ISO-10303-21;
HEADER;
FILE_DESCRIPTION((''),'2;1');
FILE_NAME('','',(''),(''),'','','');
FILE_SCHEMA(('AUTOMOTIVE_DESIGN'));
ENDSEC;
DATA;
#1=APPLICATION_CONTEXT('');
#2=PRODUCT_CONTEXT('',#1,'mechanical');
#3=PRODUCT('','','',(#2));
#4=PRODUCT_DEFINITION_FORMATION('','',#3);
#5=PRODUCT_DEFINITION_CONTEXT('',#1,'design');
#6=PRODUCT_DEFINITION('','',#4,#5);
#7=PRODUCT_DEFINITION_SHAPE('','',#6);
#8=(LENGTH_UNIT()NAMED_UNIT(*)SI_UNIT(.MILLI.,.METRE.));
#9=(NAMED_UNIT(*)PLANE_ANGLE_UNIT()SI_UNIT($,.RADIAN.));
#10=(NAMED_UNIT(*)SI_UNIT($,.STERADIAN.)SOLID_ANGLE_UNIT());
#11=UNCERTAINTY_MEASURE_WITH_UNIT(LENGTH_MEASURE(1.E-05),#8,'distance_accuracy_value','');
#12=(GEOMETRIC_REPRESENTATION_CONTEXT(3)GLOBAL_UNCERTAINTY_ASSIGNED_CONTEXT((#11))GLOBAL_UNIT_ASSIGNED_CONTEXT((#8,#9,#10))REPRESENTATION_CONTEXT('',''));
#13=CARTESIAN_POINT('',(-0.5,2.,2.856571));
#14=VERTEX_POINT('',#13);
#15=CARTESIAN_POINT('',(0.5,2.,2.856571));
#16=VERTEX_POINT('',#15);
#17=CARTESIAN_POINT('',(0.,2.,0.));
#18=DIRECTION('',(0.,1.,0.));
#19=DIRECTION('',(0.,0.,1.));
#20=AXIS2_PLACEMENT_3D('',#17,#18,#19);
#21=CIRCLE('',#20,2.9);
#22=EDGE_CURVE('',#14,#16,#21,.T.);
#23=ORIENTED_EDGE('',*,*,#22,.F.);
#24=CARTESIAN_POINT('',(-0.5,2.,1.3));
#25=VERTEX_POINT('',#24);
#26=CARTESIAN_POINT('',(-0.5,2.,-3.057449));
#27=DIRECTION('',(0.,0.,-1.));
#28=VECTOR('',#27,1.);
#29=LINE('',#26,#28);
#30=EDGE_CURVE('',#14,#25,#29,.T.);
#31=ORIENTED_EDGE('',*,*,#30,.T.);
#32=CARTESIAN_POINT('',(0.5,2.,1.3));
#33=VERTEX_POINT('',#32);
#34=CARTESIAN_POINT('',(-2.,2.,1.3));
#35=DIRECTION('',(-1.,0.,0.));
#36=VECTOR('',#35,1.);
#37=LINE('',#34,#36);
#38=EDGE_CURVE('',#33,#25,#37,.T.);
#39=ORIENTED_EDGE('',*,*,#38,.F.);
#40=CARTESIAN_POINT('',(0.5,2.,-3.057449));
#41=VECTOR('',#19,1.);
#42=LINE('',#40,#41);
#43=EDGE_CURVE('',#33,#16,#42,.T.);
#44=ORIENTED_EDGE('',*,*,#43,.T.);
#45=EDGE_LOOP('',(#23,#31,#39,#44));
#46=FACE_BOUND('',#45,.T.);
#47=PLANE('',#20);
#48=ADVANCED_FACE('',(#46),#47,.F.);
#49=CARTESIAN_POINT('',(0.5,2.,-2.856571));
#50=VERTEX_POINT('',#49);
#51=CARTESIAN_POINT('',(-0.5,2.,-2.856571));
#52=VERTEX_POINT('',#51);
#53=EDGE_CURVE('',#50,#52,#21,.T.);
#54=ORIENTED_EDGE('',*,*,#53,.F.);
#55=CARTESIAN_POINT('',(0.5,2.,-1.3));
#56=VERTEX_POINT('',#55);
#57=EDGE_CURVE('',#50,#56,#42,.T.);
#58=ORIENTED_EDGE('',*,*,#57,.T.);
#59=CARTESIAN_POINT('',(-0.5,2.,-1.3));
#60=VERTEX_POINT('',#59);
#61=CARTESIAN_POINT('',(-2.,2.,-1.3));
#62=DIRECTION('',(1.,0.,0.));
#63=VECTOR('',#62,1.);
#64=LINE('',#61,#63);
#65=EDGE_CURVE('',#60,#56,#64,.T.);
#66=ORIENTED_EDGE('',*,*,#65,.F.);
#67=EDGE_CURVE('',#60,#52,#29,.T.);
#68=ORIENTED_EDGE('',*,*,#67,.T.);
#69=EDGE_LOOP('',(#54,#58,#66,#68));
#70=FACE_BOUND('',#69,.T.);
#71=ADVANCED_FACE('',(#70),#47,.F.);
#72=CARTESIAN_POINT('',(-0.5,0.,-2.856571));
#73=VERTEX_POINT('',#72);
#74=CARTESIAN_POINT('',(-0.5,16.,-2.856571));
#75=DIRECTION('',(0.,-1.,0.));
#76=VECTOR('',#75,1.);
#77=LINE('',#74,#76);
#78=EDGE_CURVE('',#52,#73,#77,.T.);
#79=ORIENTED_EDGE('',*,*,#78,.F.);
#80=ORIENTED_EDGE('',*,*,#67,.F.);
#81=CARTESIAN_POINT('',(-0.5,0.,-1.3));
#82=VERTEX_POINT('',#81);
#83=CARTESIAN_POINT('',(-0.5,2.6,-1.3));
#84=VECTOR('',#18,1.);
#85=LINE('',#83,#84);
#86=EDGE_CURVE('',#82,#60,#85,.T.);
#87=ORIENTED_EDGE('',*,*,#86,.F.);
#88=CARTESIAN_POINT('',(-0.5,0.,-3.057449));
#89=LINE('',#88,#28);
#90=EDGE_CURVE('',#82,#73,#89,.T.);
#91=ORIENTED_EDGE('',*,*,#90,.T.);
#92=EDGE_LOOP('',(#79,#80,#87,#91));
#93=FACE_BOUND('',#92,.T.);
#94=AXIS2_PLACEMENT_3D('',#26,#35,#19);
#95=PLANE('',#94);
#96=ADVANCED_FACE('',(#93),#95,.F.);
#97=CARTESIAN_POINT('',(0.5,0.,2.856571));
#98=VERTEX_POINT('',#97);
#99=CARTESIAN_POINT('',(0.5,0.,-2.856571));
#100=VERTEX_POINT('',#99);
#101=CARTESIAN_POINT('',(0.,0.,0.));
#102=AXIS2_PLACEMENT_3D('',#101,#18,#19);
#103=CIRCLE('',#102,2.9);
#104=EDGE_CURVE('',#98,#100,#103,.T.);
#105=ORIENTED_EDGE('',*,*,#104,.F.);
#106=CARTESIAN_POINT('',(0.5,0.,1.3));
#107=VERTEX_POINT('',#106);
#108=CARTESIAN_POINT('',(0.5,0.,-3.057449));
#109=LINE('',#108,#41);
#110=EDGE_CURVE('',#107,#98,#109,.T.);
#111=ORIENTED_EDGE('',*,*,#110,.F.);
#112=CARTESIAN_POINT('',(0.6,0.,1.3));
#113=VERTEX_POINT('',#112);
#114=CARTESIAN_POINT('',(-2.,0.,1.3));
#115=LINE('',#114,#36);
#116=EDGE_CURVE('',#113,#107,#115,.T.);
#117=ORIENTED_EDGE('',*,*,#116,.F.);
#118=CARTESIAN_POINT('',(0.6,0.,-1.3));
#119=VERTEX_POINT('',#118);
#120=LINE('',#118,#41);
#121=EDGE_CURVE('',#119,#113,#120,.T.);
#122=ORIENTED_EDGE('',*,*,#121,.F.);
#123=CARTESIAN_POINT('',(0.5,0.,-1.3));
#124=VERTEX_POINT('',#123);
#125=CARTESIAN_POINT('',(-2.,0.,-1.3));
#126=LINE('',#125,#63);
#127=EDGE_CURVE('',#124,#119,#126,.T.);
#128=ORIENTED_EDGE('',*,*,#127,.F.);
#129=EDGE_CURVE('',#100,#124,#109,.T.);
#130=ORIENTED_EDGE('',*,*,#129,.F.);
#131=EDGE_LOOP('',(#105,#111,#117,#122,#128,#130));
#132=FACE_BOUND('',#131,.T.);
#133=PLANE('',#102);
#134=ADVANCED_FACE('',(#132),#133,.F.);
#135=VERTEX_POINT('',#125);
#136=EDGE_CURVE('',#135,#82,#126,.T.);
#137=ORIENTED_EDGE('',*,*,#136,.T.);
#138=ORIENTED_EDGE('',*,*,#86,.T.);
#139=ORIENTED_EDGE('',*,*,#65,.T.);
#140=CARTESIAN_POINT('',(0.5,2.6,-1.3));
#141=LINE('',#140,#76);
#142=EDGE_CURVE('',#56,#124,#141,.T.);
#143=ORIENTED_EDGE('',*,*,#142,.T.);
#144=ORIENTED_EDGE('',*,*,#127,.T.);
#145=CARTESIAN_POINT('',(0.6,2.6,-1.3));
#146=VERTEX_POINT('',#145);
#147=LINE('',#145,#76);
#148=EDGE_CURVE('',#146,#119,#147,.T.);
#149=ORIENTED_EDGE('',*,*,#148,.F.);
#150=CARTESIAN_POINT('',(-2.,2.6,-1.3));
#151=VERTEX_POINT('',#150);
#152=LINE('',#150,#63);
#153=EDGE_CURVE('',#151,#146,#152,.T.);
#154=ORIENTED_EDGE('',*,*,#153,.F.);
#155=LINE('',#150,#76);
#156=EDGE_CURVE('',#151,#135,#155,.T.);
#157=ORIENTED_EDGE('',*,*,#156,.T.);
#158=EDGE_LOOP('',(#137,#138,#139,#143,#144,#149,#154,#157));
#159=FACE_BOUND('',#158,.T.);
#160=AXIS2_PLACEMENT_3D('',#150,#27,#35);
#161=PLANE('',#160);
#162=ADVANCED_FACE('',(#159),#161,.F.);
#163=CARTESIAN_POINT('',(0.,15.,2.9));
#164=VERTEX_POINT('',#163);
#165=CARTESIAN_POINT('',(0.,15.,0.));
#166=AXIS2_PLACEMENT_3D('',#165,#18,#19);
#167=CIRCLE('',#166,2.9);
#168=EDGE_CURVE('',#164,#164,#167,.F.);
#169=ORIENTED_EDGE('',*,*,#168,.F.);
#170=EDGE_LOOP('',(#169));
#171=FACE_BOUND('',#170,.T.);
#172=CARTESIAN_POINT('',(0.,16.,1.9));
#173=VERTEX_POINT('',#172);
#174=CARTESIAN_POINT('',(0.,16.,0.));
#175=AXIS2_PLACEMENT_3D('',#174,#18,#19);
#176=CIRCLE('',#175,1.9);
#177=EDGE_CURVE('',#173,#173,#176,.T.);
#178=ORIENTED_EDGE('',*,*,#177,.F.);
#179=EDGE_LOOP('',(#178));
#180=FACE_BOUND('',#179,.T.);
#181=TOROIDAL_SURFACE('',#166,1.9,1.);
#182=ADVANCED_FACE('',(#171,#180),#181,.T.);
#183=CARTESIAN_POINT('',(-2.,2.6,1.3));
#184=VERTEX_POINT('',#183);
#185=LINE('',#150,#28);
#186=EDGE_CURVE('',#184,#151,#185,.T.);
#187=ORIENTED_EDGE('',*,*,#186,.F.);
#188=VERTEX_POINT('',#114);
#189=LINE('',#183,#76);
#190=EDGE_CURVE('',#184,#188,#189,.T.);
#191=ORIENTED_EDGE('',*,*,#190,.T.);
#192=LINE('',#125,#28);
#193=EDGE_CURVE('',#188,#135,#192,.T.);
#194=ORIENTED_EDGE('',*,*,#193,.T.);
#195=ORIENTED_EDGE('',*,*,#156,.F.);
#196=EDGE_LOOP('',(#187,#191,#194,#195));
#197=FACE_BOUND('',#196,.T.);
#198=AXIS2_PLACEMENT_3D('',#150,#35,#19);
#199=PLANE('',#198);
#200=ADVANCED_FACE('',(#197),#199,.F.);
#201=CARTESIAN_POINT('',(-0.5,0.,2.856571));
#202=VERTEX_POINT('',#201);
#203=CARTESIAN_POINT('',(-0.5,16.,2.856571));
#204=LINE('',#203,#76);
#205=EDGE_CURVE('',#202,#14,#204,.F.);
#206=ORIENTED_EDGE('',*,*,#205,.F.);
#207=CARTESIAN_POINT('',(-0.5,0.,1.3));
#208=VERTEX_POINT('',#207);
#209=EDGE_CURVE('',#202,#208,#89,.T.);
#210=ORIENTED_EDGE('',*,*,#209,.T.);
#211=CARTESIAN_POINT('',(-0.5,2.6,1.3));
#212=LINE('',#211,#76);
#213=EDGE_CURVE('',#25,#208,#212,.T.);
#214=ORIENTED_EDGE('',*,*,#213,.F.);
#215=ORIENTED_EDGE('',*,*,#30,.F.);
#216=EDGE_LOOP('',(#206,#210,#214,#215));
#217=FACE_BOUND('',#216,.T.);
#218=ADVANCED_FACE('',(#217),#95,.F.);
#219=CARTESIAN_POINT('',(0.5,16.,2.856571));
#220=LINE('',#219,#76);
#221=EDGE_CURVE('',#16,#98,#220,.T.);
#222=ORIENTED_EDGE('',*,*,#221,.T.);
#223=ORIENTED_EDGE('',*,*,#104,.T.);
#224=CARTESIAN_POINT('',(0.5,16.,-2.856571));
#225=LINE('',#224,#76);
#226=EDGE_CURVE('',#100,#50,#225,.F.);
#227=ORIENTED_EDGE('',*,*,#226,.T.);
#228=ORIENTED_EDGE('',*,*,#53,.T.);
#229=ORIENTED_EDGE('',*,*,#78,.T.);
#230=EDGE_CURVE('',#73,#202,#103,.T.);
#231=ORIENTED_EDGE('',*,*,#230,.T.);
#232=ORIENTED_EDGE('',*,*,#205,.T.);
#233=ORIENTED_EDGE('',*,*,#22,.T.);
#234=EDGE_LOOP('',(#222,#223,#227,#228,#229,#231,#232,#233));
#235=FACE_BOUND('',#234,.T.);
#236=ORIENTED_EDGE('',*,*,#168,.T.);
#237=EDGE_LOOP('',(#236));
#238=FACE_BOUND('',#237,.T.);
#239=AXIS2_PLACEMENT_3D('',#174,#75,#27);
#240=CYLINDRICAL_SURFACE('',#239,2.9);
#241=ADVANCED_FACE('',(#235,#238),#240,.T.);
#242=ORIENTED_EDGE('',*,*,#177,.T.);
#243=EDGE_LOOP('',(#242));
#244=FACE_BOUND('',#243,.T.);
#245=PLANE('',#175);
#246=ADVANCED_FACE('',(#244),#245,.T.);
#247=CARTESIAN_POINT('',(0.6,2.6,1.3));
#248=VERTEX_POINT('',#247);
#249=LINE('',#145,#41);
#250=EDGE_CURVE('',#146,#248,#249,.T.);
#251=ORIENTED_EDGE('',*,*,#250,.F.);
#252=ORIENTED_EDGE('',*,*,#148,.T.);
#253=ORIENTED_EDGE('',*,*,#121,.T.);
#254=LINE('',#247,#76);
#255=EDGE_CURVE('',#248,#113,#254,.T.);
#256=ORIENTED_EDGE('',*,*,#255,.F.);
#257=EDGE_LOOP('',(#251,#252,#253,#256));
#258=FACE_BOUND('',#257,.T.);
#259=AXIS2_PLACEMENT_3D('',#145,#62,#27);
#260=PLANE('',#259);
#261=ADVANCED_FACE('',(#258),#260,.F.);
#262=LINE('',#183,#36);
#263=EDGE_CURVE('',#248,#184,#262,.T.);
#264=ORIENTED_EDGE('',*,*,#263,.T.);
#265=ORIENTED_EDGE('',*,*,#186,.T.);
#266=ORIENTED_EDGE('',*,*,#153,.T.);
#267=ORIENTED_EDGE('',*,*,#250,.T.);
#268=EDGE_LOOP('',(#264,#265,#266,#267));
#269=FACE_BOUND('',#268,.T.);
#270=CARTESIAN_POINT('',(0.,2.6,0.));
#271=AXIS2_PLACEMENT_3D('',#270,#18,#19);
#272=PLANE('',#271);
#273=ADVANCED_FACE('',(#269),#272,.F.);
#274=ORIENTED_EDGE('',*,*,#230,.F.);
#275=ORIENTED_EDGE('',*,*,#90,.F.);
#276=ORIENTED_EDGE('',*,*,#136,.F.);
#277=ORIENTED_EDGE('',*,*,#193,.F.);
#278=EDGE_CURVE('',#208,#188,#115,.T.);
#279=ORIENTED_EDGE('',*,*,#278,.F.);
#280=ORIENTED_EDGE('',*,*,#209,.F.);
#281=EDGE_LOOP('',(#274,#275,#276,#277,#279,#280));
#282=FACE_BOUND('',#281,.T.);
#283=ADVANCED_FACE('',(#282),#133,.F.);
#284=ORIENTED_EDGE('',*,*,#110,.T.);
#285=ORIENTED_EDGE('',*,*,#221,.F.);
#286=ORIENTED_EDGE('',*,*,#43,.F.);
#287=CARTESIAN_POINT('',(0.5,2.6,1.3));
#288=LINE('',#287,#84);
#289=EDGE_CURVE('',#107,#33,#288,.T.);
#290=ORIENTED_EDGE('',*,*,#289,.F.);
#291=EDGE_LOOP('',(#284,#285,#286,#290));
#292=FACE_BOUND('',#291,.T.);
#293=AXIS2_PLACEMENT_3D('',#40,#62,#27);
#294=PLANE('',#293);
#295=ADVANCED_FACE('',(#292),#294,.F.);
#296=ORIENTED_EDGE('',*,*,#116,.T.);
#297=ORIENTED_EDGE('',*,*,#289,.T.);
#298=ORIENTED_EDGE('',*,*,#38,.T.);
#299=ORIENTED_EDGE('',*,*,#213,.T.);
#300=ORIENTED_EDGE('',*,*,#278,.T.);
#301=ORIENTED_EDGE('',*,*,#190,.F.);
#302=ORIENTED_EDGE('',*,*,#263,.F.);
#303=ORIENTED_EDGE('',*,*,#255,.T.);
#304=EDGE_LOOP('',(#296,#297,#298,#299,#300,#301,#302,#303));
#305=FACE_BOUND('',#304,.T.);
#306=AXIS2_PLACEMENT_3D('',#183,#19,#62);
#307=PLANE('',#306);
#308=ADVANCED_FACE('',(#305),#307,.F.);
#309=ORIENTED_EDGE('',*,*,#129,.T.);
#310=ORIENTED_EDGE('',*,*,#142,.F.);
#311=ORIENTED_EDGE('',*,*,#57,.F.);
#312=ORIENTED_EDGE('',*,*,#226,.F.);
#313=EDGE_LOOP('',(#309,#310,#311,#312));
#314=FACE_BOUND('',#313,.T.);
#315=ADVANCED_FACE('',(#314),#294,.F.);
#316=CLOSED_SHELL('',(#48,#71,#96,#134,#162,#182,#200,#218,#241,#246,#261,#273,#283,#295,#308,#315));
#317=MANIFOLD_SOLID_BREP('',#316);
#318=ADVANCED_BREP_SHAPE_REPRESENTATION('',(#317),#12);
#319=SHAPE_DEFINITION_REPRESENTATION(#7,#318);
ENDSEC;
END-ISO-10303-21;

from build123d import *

# Parameters (mm, degrees)
SKETCH1_R           = 2.9
BOSS_EXTRUDE1_DEPTH = 16
FILLET1_R           = 1
SKETCH2_W           = 2.6
SKETCH2_H           = 2.6
CUT_EXTRUDE1_DEPTH  = 2.6
SKETCH3_W           = 1
SKETCH3_H           = 6.114897194
CUT_EXTRUDE2_DEPTH  = 2


with BuildPart() as part:
    # Sketch1 → Boss-Extrude1 (new body)
    with BuildSketch(Plane(origin=(0, 0, 0), x_dir=(1, 0, 0), z_dir=(0, 1, 0))):
        with Locations(Location((0, 0, 0), (0, 0, 270))):
            Circle(SKETCH1_R)
    extrude(amount=BOSS_EXTRUDE1_DEPTH)

    # Fillet1
    fillet1_edges = [part.edges().sort_by_distance(p)[0] for p in [
        (0, 16, -2.9),
    ]]
    fillet(fillet1_edges, radius=FILLET1_R)

    # Sketch2 → Cut-Extrude1 (cut)
    with BuildSketch(Plane.XZ):
        with Locations((-0.7, 0)):
            Rectangle(SKETCH2_W, SKETCH2_H)
    extrude(amount=-CUT_EXTRUDE1_DEPTH, mode=Mode.SUBTRACT)

    # Sketch3 → Cut-Extrude2 (cut)
    with BuildSketch(Plane.XZ):
        Rectangle(SKETCH3_W, SKETCH3_H)
    extrude(amount=-CUT_EXTRUDE2_DEPTH, mode=Mode.SUBTRACT)


solid = part.part
